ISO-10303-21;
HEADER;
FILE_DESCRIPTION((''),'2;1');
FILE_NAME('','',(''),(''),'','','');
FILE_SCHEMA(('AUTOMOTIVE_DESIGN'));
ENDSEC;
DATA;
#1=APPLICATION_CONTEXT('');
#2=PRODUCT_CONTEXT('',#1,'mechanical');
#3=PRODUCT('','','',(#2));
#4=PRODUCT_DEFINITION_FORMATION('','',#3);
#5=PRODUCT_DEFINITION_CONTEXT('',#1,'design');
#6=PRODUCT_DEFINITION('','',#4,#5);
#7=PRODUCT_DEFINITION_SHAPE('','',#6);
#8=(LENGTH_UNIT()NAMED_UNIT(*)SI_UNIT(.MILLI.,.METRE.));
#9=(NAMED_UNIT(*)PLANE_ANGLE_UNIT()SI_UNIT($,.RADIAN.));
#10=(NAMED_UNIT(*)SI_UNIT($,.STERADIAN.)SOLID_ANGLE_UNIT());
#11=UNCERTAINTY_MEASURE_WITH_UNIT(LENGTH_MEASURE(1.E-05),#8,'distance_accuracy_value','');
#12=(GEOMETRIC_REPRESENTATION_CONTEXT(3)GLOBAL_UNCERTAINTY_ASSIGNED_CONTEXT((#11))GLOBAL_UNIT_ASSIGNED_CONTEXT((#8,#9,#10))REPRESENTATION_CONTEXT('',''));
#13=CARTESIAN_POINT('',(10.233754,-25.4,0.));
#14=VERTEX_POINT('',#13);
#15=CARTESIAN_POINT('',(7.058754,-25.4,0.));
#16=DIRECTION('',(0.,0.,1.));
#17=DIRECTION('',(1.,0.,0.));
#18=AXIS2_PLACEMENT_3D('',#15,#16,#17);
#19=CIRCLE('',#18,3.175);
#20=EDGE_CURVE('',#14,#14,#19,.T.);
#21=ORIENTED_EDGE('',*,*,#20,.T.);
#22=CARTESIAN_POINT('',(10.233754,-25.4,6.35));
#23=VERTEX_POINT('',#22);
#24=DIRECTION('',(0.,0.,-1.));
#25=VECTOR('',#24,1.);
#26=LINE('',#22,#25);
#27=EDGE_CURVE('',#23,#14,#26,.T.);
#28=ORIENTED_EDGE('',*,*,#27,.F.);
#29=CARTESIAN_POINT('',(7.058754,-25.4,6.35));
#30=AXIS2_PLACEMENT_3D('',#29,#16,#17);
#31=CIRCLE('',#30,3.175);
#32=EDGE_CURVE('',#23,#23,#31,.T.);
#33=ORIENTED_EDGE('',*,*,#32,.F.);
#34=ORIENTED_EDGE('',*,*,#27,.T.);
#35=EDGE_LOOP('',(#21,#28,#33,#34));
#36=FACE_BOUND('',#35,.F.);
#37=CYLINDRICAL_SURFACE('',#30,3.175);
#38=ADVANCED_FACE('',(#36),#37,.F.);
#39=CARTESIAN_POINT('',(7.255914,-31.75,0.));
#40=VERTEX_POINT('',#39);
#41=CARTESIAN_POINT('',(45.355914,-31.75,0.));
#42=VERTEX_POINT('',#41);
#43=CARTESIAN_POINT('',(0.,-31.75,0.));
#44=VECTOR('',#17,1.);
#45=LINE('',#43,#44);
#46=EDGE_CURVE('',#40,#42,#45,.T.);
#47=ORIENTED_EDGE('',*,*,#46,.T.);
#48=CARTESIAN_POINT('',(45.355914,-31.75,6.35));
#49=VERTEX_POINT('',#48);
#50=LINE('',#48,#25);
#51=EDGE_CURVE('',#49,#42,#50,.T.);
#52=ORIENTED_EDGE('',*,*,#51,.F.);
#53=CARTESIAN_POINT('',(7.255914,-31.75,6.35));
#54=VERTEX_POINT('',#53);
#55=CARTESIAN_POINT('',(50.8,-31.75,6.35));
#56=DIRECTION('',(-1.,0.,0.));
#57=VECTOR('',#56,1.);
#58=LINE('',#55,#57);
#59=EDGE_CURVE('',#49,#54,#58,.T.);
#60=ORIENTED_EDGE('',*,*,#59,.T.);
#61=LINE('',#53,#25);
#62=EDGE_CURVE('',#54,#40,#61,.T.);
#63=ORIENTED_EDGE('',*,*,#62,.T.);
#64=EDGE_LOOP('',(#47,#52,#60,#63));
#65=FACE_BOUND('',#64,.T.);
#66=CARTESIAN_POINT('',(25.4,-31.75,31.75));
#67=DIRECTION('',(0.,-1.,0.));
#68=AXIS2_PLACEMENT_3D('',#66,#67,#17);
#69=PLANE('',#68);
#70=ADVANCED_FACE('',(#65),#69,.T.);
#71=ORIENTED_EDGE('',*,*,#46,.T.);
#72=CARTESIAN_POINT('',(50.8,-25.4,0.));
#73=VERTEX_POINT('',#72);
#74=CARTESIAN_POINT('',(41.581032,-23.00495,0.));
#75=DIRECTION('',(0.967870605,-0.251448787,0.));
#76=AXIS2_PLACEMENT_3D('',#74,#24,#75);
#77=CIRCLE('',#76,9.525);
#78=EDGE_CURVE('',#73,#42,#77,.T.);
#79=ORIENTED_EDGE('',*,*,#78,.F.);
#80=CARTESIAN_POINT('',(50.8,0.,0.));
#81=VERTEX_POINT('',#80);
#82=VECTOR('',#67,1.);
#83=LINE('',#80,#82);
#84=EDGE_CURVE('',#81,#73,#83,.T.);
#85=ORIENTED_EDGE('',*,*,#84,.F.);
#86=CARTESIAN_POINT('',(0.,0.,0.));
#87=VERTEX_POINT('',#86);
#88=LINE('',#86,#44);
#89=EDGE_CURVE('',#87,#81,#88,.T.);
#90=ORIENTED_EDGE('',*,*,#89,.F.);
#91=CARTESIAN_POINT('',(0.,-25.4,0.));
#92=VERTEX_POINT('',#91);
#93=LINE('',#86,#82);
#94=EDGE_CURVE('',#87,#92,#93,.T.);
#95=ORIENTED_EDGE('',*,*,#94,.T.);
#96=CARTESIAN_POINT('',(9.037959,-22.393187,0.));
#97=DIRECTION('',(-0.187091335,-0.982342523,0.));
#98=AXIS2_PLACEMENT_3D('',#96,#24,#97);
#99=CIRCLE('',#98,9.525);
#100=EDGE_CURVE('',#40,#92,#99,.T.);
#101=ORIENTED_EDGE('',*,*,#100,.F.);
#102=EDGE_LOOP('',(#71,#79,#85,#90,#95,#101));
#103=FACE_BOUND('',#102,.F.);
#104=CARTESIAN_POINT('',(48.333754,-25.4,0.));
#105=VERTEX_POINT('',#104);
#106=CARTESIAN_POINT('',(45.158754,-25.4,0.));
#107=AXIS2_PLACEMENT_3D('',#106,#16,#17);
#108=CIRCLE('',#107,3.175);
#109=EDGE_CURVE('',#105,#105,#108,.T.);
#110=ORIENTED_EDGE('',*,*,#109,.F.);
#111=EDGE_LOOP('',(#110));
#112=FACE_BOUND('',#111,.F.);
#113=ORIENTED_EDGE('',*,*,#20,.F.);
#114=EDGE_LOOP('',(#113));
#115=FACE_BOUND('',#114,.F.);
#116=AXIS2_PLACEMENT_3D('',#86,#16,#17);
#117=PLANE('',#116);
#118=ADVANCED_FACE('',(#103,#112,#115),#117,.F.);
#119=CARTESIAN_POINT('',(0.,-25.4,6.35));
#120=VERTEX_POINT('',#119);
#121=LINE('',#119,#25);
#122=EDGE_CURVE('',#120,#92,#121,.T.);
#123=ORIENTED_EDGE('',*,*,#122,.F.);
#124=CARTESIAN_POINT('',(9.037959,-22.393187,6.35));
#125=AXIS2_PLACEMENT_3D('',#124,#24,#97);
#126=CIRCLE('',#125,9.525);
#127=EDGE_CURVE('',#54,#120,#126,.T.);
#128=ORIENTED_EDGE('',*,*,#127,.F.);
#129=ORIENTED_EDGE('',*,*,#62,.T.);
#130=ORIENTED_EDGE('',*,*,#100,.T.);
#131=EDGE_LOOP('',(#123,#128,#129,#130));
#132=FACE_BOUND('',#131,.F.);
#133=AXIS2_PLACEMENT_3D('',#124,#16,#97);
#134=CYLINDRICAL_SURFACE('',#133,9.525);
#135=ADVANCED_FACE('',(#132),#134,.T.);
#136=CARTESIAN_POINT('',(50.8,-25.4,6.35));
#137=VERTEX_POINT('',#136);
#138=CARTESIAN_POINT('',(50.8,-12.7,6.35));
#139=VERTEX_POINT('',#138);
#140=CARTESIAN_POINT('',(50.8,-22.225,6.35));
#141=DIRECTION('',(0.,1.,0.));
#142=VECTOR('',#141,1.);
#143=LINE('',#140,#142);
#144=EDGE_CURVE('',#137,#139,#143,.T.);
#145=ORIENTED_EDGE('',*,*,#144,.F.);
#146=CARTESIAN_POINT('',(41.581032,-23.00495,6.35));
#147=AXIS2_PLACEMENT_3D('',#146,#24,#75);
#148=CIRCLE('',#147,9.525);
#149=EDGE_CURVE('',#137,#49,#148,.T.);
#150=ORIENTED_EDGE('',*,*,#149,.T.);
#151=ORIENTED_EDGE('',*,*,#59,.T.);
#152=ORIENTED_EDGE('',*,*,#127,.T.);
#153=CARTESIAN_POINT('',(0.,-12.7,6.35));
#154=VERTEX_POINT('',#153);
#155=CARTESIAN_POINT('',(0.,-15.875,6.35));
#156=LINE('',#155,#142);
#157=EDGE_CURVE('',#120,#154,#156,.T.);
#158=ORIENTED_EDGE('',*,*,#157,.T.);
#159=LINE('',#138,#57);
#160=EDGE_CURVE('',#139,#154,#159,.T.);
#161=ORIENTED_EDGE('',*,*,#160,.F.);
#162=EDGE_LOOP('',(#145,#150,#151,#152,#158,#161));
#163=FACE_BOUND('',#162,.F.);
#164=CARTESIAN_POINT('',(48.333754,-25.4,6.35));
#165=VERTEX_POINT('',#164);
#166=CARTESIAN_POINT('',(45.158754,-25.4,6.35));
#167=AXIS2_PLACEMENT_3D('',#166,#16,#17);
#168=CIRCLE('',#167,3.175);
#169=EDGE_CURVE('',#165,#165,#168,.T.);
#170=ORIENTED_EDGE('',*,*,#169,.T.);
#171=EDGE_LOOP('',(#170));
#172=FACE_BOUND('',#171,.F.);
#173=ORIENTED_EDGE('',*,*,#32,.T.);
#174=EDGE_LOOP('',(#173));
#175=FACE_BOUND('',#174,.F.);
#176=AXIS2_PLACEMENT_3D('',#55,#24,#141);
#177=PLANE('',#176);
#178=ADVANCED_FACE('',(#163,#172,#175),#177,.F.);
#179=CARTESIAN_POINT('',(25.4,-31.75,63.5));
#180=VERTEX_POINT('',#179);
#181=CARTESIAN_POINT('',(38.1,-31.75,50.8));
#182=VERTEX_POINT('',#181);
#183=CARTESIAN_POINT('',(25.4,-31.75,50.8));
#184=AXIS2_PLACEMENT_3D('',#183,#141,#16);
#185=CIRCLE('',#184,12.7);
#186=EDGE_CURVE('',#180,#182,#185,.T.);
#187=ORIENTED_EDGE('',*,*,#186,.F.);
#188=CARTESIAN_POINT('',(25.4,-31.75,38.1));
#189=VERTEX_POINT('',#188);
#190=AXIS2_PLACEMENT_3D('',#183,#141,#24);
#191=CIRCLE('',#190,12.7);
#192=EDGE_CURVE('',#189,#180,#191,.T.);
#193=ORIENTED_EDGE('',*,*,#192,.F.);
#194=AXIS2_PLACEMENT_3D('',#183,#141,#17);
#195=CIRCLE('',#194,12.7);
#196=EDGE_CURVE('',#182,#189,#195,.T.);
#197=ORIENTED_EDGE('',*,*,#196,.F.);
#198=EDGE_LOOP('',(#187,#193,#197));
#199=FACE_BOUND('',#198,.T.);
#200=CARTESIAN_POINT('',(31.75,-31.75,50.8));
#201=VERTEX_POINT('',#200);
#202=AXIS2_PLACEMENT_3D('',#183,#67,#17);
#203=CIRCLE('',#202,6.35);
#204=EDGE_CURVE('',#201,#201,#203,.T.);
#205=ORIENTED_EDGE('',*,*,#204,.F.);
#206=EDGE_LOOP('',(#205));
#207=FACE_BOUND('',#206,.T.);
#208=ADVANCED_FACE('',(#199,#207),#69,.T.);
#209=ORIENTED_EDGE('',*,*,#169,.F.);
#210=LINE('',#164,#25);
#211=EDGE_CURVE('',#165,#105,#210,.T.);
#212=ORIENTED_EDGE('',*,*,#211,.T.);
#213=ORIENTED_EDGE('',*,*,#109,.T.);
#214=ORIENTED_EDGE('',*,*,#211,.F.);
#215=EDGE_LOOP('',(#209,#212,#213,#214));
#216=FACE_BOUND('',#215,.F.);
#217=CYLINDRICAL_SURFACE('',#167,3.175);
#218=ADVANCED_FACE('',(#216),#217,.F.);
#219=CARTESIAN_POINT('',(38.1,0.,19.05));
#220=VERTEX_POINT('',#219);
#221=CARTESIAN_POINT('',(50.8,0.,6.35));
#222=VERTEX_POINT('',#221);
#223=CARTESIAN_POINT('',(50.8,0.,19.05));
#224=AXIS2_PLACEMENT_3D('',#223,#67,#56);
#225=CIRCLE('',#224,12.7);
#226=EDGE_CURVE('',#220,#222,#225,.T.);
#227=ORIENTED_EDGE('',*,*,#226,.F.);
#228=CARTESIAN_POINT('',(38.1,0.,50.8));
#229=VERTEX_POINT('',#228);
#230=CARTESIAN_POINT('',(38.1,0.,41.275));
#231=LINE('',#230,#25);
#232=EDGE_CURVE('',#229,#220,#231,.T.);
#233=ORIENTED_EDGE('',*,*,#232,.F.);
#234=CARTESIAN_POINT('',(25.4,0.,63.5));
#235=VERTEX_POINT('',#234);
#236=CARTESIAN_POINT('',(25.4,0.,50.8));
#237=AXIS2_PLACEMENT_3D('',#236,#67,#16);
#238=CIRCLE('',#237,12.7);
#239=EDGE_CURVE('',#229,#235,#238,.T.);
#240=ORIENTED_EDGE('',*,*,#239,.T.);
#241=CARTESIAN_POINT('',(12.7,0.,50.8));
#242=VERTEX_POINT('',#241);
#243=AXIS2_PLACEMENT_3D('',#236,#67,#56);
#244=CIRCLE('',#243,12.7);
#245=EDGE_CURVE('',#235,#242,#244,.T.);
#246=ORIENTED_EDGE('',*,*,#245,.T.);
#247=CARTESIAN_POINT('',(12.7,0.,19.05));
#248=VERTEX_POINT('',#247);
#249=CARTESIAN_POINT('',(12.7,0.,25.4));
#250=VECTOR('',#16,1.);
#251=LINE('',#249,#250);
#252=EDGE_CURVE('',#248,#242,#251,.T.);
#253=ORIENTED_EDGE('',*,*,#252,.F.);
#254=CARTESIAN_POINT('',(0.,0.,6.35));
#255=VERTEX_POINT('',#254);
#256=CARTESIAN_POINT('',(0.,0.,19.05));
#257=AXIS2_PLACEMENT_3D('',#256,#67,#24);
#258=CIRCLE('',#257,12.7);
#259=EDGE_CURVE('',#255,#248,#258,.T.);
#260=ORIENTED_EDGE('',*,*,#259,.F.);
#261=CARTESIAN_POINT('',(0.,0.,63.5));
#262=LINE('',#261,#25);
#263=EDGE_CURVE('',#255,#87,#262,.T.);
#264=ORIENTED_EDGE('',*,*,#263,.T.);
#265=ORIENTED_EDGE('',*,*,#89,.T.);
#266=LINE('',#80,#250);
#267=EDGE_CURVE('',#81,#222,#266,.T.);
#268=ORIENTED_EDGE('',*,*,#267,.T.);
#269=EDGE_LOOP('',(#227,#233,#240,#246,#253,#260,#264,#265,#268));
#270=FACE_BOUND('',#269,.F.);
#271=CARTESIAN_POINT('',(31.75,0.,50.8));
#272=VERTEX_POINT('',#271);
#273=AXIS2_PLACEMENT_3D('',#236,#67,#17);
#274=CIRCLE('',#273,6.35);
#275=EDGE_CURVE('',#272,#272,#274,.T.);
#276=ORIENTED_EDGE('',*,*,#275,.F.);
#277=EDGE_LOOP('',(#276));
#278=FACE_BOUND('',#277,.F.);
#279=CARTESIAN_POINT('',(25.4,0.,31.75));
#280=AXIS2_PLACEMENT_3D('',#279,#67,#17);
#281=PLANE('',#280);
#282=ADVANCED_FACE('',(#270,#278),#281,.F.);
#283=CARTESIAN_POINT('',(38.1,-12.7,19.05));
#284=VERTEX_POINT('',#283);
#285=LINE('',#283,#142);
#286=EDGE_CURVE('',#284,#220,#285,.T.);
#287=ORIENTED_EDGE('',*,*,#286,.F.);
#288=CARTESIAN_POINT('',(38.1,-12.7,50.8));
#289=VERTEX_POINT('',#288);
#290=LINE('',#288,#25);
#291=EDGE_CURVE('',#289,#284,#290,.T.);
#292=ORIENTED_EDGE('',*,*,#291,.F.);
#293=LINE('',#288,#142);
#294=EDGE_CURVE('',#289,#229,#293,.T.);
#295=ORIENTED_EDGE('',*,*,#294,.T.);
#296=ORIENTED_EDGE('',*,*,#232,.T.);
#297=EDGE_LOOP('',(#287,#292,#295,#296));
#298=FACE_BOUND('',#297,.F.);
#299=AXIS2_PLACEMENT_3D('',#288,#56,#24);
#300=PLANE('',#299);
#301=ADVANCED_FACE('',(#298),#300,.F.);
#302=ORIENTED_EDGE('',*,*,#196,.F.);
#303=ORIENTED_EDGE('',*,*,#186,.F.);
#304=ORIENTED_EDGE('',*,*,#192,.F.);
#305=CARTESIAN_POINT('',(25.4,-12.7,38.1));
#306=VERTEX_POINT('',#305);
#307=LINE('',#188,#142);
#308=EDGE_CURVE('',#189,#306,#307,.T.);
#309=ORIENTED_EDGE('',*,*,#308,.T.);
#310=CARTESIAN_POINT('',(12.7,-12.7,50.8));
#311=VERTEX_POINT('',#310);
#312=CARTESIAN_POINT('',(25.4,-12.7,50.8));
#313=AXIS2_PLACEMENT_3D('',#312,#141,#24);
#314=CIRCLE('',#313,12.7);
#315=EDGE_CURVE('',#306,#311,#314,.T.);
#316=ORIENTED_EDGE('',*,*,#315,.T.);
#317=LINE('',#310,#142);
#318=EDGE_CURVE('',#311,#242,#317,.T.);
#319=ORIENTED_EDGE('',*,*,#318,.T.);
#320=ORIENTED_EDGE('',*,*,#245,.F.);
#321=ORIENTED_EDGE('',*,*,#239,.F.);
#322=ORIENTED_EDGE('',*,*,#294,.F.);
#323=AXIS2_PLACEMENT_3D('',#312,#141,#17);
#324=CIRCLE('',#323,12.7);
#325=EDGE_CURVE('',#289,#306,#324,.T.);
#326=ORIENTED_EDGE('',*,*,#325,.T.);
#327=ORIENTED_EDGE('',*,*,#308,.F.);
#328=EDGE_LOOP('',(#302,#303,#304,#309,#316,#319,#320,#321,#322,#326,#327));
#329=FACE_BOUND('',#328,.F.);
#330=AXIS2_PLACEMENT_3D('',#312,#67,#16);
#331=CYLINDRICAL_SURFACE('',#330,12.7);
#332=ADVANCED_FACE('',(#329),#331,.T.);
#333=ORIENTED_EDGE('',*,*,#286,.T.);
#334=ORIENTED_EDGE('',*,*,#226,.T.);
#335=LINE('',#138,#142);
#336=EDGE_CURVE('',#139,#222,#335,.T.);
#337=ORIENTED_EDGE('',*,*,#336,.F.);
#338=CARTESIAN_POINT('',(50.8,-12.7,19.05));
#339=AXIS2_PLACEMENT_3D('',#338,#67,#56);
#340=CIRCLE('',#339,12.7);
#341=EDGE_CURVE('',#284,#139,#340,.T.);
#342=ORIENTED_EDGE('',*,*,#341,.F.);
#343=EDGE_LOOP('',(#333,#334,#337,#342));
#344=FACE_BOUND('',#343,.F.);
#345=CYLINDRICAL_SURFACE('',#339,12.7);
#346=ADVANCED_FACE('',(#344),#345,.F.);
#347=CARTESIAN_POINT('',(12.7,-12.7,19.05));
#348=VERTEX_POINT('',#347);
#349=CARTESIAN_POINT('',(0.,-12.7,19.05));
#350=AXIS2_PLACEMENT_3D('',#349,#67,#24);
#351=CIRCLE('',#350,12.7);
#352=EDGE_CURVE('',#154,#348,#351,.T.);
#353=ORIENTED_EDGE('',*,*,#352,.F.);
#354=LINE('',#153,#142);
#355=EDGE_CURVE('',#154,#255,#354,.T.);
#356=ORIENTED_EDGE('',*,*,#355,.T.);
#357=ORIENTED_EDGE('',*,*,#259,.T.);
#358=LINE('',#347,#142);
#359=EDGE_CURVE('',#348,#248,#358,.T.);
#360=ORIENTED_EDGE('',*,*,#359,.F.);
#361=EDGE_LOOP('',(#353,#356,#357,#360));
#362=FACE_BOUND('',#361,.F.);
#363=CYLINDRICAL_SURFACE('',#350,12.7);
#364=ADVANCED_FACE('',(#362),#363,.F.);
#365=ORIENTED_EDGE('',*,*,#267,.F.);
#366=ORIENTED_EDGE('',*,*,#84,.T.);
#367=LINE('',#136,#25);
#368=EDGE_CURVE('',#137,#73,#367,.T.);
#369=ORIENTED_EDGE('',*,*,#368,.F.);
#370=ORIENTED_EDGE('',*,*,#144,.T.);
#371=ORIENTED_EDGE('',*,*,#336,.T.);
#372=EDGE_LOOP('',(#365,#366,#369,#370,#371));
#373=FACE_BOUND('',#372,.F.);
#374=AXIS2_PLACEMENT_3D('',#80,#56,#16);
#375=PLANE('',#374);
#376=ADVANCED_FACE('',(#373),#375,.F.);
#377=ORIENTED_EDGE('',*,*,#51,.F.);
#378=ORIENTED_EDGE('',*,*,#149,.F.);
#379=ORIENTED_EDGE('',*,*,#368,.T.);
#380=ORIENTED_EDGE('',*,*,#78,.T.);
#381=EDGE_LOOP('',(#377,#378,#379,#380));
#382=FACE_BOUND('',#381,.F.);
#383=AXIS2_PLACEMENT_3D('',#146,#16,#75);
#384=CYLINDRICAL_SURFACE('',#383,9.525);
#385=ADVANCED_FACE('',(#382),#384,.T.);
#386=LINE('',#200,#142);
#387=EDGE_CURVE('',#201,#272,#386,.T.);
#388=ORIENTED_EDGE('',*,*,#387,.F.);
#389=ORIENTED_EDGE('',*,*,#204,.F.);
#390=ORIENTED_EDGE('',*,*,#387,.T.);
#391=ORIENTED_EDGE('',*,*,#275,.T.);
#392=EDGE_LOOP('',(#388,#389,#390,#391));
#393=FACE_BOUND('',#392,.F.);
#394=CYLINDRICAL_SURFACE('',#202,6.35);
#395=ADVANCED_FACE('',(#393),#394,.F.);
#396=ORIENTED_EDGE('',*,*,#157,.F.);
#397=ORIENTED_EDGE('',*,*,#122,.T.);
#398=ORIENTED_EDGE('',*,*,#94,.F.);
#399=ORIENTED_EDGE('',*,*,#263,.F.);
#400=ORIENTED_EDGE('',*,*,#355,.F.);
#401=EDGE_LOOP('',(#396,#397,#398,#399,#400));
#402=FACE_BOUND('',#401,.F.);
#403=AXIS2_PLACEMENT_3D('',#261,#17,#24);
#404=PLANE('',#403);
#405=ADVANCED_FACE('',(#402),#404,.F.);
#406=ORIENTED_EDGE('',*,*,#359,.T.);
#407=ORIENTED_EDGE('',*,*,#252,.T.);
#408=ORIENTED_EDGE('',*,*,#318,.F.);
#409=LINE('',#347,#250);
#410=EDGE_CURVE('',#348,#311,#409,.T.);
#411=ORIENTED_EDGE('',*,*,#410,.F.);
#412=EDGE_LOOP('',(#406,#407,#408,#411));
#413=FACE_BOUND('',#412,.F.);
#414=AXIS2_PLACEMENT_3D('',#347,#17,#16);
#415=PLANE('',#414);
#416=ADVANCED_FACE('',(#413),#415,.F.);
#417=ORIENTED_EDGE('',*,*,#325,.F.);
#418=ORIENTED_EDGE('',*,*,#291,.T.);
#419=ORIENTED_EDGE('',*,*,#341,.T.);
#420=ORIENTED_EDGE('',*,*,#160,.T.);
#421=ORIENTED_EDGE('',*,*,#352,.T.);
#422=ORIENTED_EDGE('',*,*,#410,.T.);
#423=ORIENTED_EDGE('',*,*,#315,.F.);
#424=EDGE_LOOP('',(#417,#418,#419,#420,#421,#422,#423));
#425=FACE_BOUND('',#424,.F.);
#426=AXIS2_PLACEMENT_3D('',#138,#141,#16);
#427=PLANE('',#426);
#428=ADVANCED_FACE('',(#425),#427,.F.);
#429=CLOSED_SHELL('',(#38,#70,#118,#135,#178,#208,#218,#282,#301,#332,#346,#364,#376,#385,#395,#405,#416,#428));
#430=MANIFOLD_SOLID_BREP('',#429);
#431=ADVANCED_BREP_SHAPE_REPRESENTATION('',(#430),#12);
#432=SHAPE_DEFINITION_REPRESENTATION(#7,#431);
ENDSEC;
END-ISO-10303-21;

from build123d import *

# Parameters (mm, degrees)
F1_DEPTH  = 31.75
F2_W      = 19.05
F2_H      = 31.75
F3_DEPTH  = 57.15
F5_DEPTH  = 19.05
F7_DEPTH  = 25.4
F8_R      = 6.35
F9_DEPTH  = 31.75
F11_DEPTH = 6.35
F12_R     = 3.175
F13_DEPTH = 6.35
F14_DEPTH = 6.35


with BuildPart() as f1:
    # F0 (on Front) → F1 (new body)
    with BuildSketch(Plane.XZ):
        Polygon((0, 6.35), (0, 0), (50.8, 0), (50.8, 6.35), (50.8, 63.5), (0, 63.5), align=None)
    extrude(amount=F1_DEPTH)

    # F2 (on face) → F3 (cut)
    with BuildSketch(Plane.YZ.offset(50.8)):
        with Locations((-22.225, 22.225)):
            Rectangle(F2_W, F2_H)
    extrude(amount=-F3_DEPTH, mode=Mode.SUBTRACT)

    # F4 (on face) → F5 (cut)
    with BuildSketch(Plane.XZ.offset(31.75)):
        with BuildLine():
            ThreePointArc((25.4, 63.5), (34.3802561211, 59.7802561211), (38.1, 50.8))
            ThreePointArc((38.1, 50.8), (34.3802561211, 41.8197438789), (25.4, 38.1))
            Line((25.4, 38.1), (50.8, 38.1))
            Line((50.8, 38.1), (50.8, 63.5))
            Line((50.8, 63.5), (25.4, 63.5))
        make_face()
        with BuildLine():
            ThreePointArc((25.4, 38.1), (12.7, 50.8), (25.4, 63.5))
            Line((25.4, 63.5), (0, 63.5))
            Line((0, 63.5), (0, 38.1))
            Line((0, 38.1), (25.4, 38.1))
        make_face()
    extrude(amount=-F5_DEPTH, mode=Mode.SUBTRACT)

    # F6 (on face) → F7 (cut)
    with BuildSketch(Plane.XZ.offset(12.7)):
        with BuildLine():
            Line((0, 63.5), (0, 6.35))
            ThreePointArc((0, 6.35), (8.9802561211, 10.0697438789), (12.7, 19.05))
            Line((12.7, 19.05), (12.7, 50.8))
            ThreePointArc((12.7, 50.8), (16.4197438789, 59.7802561211), (25.4, 63.5))
            Line((25.4, 63.5), (0, 63.5))
        make_face()
        with BuildLine():
            ThreePointArc((38.1, 19.05), (41.8197438789, 10.0697438789), (50.8, 6.35))
            Line((50.8, 6.35), (50.8, 63.5))
            Line((50.8, 63.5), (25.4, 63.5))
            ThreePointArc((25.4, 63.5), (34.3802561211, 59.7802561211), (38.1, 50.8))
            Line((38.1, 50.8), (38.1, 19.05))
        make_face()
    extrude(amount=-F7_DEPTH, mode=Mode.SUBTRACT)

    # F8 (on face) → F9 (cut)
    with BuildSketch(Plane.XZ.offset(31.75)):
        with Locations((25.4, 50.8)):
            Circle(F8_R)
    extrude(amount=-F9_DEPTH, mode=Mode.SUBTRACT)

    # F10 (on face) → F11 (cut)
    with BuildSketch(Plane.XY.offset(6.35)):
        with BuildLine():
            Line((0, -25.4), (0, -31.75))
            Line((0, -31.75), (7.2559140616, -31.75))
            ThreePointArc((7.2559140616, -31.75), (2.7651010981, -29.5609540937), (0, -25.4))
        make_face()
        with BuildLine():
            ThreePointArc((50.8, -25.4), (48.8122601511, -29.2045447704), (45.3559140616, -31.75))
            Line((45.3559140616, -31.75), (50.8, -31.75))
            Line((50.8, -31.75), (50.8, -25.4))
        make_face()
    extrude(amount=-F11_DEPTH, mode=Mode.SUBTRACT)

    # F12 (on face) → F13 (cut)
    with BuildSketch(Plane.XY.offset(6.35)):
        with Locations((7.0587542899, -25.4)):
            Circle(F12_R)
        with Locations((45.1587542899, -25.4)):
            Circle(F12_R)
    extrude(amount=-F13_DEPTH, mode=Mode.SUBTRACT)

    # F12 (on face) → F14 (cut)
    with BuildSketch(Plane.XY.offset(6.35)):
        with Locations((7.0587542899, -25.4)):
            Circle(F12_R)
        with Locations((45.1587542899, -25.4)):
            Circle(F12_R)
    extrude(amount=-F14_DEPTH, mode=Mode.SUBTRACT)


solid = f1.part
